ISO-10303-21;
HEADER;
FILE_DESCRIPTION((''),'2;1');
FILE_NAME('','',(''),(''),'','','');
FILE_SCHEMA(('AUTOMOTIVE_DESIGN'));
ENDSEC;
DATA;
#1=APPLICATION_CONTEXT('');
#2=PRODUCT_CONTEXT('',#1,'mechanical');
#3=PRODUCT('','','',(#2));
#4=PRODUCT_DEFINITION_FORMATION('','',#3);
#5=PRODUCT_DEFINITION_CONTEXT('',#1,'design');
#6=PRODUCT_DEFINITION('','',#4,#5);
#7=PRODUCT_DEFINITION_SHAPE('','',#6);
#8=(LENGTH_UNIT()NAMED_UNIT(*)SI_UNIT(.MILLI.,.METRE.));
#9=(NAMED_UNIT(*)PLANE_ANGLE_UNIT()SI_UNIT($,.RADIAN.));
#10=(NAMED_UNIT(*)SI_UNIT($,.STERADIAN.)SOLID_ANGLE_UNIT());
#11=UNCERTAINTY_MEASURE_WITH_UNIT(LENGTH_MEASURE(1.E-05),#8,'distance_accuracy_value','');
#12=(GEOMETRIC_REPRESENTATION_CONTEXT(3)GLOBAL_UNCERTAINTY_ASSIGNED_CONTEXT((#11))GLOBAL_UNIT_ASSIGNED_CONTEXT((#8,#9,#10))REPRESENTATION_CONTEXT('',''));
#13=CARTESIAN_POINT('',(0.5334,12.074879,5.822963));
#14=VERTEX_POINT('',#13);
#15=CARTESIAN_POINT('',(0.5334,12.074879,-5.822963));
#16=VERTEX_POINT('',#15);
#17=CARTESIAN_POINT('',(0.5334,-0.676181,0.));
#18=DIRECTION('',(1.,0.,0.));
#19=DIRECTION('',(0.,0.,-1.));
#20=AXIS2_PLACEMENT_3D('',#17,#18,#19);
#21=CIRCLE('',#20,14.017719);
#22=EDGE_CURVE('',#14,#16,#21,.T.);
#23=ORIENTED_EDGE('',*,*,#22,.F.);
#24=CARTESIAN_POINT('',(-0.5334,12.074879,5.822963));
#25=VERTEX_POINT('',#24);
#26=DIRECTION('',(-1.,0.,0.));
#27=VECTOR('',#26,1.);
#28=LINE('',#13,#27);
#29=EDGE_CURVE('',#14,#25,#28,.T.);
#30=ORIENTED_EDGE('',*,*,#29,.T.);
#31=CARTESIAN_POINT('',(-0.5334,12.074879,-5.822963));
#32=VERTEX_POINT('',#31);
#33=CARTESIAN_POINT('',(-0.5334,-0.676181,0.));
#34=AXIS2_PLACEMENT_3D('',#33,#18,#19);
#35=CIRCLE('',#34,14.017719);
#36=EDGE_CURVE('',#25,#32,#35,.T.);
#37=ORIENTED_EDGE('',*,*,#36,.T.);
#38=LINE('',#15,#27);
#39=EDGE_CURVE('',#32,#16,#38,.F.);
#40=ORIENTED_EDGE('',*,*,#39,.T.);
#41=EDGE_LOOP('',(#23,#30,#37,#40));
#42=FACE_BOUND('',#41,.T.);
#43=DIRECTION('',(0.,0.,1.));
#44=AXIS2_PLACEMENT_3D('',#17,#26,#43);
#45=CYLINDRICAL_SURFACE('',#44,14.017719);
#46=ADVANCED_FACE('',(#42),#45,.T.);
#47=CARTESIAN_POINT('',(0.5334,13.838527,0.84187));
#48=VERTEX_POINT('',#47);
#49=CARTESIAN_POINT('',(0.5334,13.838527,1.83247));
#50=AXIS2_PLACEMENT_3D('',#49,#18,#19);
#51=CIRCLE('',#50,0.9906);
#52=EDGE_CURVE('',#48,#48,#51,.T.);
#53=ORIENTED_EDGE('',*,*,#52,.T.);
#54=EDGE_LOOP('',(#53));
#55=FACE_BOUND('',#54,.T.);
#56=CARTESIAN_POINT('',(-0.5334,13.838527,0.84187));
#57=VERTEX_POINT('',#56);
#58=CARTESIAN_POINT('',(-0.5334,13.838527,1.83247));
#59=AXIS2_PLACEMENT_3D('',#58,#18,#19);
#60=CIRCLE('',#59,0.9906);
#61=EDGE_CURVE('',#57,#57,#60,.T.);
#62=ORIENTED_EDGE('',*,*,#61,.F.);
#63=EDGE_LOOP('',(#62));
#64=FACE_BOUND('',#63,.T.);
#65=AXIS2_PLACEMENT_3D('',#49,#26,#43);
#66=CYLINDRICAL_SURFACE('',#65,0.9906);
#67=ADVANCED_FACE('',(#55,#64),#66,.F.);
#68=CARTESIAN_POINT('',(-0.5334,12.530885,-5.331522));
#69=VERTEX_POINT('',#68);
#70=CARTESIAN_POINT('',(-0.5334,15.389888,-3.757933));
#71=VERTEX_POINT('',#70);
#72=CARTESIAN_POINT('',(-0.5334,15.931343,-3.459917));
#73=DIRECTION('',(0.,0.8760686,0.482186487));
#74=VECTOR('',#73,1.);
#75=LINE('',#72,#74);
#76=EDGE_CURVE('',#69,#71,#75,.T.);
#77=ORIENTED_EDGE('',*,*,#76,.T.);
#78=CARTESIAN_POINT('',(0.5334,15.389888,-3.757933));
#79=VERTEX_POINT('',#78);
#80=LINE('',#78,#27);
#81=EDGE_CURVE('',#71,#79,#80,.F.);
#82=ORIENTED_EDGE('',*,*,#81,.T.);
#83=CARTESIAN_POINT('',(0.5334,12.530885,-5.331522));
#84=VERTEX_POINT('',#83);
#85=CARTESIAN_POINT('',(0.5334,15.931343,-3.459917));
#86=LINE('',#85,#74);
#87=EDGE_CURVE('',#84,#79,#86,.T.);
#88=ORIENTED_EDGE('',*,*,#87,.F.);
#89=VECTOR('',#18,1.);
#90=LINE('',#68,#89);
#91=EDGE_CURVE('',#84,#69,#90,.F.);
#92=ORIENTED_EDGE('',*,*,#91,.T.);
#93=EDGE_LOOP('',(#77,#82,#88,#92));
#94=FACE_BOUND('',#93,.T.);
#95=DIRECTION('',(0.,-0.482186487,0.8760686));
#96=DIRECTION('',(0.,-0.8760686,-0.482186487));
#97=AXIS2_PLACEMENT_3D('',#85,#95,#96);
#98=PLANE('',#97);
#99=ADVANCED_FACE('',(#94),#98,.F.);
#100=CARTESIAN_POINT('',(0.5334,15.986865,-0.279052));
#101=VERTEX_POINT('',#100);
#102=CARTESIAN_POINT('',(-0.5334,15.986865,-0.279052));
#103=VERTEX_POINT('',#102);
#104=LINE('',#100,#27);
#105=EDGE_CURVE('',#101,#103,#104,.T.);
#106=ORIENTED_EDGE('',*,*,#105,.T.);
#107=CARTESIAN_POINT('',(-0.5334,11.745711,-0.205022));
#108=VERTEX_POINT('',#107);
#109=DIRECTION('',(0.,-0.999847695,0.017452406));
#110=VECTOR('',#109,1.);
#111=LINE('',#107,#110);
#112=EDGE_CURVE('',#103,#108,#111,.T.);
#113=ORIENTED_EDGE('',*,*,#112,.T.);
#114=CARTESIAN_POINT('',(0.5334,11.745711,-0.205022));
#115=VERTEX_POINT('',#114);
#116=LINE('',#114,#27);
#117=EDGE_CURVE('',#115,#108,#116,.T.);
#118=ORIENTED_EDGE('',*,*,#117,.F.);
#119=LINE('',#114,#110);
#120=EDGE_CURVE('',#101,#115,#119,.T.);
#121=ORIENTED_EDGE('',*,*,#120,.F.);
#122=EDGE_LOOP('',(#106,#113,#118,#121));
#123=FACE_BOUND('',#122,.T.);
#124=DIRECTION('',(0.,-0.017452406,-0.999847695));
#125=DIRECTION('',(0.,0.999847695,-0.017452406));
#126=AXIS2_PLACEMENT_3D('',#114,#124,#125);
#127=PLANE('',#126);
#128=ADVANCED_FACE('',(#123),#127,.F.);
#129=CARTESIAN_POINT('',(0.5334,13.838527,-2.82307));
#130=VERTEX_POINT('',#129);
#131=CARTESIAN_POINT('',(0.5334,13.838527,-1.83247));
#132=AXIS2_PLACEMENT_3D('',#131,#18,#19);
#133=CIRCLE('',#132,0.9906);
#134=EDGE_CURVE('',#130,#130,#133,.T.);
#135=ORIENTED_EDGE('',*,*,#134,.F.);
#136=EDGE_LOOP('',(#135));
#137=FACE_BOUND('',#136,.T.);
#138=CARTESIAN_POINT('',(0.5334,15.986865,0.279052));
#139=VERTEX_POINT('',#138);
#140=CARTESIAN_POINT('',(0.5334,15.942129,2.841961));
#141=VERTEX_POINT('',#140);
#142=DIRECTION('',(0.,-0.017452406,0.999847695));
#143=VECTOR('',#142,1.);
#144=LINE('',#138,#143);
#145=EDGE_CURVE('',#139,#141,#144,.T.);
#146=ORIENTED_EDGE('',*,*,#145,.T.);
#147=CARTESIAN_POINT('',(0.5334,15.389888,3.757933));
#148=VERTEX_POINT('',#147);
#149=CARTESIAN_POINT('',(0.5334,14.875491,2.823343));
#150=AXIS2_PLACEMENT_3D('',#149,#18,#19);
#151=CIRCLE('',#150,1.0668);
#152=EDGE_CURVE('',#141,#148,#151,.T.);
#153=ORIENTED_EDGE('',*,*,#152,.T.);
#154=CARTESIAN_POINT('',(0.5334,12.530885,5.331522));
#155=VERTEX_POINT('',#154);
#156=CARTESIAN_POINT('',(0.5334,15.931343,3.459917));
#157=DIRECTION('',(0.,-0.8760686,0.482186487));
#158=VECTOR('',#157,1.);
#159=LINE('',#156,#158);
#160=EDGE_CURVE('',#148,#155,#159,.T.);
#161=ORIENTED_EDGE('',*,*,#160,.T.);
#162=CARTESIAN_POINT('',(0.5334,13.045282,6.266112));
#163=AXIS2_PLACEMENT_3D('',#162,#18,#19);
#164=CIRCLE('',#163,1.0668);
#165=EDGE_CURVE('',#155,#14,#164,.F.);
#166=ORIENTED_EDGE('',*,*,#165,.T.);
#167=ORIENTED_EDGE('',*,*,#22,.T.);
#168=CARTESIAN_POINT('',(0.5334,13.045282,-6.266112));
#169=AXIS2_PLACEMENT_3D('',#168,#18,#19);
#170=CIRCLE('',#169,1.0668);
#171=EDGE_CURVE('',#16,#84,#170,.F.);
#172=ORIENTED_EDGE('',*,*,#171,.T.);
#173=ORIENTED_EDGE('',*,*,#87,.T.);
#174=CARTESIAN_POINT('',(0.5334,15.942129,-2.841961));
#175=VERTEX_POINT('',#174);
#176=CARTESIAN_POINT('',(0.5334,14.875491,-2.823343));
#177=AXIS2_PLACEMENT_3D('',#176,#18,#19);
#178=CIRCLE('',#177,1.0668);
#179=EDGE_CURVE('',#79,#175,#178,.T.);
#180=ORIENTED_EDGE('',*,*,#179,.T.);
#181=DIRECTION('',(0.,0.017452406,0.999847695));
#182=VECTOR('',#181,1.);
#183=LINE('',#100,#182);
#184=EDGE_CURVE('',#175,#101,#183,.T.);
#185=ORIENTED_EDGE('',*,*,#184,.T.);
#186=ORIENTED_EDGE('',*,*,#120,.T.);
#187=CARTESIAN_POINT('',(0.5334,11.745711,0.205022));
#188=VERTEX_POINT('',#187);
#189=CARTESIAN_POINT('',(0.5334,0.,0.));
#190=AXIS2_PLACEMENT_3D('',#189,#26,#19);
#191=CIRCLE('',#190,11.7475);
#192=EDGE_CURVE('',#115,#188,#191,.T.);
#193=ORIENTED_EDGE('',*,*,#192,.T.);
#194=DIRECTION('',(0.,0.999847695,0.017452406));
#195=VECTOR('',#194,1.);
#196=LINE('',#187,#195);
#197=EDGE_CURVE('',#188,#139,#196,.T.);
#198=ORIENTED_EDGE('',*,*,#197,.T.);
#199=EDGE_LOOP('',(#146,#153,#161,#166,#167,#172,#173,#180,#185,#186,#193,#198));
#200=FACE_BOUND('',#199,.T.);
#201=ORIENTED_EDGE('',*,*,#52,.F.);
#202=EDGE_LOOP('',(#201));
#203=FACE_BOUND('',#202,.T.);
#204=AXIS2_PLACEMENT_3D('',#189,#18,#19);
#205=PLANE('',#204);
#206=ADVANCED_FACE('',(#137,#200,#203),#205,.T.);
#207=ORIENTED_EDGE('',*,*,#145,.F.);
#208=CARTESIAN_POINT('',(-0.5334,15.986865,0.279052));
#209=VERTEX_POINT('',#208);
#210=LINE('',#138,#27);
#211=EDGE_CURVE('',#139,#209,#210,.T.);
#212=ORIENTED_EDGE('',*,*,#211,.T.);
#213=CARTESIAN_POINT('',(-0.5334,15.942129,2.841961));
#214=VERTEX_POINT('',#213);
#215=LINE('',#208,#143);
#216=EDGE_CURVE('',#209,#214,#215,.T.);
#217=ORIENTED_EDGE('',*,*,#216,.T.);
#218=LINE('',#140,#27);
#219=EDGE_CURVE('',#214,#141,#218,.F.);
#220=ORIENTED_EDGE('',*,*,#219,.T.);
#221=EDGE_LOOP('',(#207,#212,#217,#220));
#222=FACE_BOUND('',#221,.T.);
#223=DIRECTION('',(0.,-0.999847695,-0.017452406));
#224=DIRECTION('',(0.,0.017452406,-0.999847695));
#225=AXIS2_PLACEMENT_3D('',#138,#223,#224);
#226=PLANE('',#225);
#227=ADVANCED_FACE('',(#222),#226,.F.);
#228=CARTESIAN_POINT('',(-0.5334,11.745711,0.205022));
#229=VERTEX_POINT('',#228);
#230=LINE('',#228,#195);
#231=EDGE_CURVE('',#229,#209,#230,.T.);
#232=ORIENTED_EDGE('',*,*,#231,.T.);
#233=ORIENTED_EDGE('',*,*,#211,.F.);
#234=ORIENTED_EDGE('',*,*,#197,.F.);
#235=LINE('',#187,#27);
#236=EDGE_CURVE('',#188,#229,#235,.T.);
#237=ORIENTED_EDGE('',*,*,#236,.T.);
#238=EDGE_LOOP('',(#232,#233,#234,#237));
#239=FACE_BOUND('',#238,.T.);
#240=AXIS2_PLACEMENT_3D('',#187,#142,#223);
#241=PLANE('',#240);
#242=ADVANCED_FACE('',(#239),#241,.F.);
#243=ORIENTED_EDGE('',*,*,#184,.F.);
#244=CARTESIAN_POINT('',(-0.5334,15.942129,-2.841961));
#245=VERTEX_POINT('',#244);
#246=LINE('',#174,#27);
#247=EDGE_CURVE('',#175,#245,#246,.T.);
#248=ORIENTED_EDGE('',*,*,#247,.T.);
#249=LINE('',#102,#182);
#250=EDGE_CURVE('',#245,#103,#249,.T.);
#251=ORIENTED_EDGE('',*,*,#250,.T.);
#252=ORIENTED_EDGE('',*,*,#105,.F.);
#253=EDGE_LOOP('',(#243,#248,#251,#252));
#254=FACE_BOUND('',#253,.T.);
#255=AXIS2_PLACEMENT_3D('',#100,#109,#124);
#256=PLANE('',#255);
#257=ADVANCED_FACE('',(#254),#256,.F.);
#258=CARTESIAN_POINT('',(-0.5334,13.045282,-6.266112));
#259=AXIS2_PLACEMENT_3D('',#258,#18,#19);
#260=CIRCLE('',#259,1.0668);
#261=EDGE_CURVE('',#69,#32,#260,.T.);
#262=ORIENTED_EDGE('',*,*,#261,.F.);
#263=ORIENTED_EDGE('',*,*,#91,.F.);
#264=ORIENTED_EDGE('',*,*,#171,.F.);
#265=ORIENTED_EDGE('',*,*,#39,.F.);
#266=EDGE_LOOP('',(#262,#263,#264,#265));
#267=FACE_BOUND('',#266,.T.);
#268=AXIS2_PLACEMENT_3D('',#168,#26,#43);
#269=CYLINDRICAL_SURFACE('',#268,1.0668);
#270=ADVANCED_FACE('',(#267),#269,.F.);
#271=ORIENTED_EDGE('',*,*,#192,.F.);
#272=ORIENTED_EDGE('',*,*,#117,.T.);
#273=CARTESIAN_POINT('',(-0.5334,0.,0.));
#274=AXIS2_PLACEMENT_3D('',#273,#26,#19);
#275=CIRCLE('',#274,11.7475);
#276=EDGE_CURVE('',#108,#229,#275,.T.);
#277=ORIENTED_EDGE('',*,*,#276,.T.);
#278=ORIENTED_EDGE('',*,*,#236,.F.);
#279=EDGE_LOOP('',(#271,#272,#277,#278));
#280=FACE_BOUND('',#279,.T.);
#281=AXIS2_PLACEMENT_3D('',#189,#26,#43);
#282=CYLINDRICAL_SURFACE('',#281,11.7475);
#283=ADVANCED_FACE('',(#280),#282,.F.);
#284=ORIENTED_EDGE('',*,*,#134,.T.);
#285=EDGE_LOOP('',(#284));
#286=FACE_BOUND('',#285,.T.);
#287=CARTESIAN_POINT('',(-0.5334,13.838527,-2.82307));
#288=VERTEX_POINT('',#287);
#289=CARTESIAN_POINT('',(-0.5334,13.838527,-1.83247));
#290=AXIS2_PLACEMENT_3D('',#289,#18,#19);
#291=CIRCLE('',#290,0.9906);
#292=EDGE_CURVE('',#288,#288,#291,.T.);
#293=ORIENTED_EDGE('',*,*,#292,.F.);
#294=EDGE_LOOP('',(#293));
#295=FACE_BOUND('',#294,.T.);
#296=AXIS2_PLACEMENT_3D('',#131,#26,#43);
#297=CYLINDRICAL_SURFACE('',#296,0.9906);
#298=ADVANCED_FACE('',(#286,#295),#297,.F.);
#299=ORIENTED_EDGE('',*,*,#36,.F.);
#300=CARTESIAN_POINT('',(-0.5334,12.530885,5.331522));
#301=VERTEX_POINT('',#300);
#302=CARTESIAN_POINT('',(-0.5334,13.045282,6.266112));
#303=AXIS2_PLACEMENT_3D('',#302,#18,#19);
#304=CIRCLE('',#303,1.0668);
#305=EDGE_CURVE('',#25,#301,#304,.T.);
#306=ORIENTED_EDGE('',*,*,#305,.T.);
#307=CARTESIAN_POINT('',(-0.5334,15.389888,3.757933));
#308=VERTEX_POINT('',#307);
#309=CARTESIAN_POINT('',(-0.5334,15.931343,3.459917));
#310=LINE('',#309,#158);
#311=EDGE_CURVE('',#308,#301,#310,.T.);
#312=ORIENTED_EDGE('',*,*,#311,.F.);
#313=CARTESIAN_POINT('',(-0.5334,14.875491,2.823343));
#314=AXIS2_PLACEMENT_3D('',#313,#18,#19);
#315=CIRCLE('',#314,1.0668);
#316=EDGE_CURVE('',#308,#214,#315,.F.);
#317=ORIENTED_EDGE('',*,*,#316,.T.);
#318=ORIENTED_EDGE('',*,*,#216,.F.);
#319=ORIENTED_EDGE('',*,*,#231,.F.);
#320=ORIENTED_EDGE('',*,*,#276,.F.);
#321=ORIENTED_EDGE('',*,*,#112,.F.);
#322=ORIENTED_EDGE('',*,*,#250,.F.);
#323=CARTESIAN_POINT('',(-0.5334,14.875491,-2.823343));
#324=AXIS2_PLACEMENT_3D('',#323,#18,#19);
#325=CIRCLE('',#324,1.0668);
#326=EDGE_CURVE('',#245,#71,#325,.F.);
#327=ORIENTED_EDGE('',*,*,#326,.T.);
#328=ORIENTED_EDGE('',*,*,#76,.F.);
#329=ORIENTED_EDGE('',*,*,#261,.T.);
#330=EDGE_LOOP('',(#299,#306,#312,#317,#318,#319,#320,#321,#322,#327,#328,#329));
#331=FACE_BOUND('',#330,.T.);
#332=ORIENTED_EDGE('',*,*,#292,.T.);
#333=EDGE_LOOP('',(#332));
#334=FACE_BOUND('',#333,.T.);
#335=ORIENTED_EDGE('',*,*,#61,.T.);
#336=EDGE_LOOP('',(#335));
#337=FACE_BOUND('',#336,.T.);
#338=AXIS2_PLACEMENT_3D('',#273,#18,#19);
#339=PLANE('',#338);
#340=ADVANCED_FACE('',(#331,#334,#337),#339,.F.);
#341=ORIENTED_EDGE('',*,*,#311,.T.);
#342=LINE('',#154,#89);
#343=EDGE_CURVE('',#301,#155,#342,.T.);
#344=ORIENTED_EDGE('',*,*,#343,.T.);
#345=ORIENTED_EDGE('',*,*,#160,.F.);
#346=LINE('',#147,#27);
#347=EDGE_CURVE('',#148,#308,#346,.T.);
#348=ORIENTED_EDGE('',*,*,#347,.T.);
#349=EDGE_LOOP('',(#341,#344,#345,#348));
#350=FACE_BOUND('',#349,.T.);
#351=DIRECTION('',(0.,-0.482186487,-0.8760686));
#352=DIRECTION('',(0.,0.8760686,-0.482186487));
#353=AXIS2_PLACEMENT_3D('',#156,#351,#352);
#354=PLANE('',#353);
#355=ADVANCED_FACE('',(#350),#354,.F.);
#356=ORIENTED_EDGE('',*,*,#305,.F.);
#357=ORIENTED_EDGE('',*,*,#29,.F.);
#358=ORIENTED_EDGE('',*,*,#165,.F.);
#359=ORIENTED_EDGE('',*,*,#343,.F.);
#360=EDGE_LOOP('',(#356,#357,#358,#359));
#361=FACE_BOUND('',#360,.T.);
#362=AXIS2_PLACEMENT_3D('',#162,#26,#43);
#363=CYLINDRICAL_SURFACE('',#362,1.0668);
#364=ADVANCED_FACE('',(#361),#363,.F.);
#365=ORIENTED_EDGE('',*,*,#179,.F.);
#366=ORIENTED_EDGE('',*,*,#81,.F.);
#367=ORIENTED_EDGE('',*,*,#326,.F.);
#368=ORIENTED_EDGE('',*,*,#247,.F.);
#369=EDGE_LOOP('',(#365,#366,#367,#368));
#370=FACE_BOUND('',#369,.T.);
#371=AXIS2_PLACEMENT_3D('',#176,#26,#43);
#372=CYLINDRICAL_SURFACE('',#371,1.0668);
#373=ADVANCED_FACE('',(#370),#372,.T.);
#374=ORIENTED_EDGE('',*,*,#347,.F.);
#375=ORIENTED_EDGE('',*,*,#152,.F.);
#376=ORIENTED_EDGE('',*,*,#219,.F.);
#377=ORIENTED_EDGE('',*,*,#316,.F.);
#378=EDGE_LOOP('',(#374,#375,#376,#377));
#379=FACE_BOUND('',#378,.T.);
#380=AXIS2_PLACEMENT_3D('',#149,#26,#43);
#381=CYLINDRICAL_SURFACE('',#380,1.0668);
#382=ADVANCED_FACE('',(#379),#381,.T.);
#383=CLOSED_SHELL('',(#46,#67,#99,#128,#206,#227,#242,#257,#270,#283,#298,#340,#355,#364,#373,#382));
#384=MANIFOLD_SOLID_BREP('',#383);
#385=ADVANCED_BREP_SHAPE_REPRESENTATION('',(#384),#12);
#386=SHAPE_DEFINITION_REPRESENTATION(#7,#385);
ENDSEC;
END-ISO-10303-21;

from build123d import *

# Parameters (mm, degrees)
SKETCH1_R      = 0.9906
EXTRUDE1_DEPTH = 0.5334
FILLET1_R      = 1.0668


with BuildPart() as part:
    # Sketch1 → Extrude1 (new, symmetric)
    with BuildSketch(Plane(origin=(0, 0, 0), x_dir=(0, 0, -1), z_dir=(1, 0, 0))):
        with BuildLine():
            Line((-0.205022145, 11.745710799), (-0.279051762, 15.986864752))
            Line((-0.279051762, 15.986864752), (-3.459917227, 15.931342539))
            Line((-3.459917227, 15.931342539), (-5.505255869, 12.215234753))
            ThreePointArc((-5.505255869, 12.215234753), (0, -14.6939), (5.505255869, 12.215234753))
            Line((5.505255869, 12.215234753), (3.459917227, 15.931342539))
            Line((3.459917227, 15.931342539), (0.279051762, 15.986864752))
            Line((0.279051762, 15.986864752), (0.205022145, 11.745710799))
            ThreePointArc((0.205022145, 11.745710799), (0, -11.7475), (-0.205022145, 11.745710799))
        make_face()
        with Locations((-1.832469686, 13.838526669)):
            Circle(SKETCH1_R, mode=Mode.SUBTRACT)
        with Locations((1.832469686, 13.838526669)):
            Circle(SKETCH1_R, mode=Mode.SUBTRACT)
    extrude(amount=EXTRUDE1_DEPTH, both=True)

    # Fillet1
    fillet1_edges = [part.edges().sort_by_distance(p)[0] for p in [
        (0, 15.931342539, -3.459917227),
        (0, 12.215234753, -5.505255869),
        (0, 12.215234753, 5.505255869),
        (0, 15.931342539, 3.459917227),
    ]]
    fillet(fillet1_edges, radius=FILLET1_R)


solid = part.part
